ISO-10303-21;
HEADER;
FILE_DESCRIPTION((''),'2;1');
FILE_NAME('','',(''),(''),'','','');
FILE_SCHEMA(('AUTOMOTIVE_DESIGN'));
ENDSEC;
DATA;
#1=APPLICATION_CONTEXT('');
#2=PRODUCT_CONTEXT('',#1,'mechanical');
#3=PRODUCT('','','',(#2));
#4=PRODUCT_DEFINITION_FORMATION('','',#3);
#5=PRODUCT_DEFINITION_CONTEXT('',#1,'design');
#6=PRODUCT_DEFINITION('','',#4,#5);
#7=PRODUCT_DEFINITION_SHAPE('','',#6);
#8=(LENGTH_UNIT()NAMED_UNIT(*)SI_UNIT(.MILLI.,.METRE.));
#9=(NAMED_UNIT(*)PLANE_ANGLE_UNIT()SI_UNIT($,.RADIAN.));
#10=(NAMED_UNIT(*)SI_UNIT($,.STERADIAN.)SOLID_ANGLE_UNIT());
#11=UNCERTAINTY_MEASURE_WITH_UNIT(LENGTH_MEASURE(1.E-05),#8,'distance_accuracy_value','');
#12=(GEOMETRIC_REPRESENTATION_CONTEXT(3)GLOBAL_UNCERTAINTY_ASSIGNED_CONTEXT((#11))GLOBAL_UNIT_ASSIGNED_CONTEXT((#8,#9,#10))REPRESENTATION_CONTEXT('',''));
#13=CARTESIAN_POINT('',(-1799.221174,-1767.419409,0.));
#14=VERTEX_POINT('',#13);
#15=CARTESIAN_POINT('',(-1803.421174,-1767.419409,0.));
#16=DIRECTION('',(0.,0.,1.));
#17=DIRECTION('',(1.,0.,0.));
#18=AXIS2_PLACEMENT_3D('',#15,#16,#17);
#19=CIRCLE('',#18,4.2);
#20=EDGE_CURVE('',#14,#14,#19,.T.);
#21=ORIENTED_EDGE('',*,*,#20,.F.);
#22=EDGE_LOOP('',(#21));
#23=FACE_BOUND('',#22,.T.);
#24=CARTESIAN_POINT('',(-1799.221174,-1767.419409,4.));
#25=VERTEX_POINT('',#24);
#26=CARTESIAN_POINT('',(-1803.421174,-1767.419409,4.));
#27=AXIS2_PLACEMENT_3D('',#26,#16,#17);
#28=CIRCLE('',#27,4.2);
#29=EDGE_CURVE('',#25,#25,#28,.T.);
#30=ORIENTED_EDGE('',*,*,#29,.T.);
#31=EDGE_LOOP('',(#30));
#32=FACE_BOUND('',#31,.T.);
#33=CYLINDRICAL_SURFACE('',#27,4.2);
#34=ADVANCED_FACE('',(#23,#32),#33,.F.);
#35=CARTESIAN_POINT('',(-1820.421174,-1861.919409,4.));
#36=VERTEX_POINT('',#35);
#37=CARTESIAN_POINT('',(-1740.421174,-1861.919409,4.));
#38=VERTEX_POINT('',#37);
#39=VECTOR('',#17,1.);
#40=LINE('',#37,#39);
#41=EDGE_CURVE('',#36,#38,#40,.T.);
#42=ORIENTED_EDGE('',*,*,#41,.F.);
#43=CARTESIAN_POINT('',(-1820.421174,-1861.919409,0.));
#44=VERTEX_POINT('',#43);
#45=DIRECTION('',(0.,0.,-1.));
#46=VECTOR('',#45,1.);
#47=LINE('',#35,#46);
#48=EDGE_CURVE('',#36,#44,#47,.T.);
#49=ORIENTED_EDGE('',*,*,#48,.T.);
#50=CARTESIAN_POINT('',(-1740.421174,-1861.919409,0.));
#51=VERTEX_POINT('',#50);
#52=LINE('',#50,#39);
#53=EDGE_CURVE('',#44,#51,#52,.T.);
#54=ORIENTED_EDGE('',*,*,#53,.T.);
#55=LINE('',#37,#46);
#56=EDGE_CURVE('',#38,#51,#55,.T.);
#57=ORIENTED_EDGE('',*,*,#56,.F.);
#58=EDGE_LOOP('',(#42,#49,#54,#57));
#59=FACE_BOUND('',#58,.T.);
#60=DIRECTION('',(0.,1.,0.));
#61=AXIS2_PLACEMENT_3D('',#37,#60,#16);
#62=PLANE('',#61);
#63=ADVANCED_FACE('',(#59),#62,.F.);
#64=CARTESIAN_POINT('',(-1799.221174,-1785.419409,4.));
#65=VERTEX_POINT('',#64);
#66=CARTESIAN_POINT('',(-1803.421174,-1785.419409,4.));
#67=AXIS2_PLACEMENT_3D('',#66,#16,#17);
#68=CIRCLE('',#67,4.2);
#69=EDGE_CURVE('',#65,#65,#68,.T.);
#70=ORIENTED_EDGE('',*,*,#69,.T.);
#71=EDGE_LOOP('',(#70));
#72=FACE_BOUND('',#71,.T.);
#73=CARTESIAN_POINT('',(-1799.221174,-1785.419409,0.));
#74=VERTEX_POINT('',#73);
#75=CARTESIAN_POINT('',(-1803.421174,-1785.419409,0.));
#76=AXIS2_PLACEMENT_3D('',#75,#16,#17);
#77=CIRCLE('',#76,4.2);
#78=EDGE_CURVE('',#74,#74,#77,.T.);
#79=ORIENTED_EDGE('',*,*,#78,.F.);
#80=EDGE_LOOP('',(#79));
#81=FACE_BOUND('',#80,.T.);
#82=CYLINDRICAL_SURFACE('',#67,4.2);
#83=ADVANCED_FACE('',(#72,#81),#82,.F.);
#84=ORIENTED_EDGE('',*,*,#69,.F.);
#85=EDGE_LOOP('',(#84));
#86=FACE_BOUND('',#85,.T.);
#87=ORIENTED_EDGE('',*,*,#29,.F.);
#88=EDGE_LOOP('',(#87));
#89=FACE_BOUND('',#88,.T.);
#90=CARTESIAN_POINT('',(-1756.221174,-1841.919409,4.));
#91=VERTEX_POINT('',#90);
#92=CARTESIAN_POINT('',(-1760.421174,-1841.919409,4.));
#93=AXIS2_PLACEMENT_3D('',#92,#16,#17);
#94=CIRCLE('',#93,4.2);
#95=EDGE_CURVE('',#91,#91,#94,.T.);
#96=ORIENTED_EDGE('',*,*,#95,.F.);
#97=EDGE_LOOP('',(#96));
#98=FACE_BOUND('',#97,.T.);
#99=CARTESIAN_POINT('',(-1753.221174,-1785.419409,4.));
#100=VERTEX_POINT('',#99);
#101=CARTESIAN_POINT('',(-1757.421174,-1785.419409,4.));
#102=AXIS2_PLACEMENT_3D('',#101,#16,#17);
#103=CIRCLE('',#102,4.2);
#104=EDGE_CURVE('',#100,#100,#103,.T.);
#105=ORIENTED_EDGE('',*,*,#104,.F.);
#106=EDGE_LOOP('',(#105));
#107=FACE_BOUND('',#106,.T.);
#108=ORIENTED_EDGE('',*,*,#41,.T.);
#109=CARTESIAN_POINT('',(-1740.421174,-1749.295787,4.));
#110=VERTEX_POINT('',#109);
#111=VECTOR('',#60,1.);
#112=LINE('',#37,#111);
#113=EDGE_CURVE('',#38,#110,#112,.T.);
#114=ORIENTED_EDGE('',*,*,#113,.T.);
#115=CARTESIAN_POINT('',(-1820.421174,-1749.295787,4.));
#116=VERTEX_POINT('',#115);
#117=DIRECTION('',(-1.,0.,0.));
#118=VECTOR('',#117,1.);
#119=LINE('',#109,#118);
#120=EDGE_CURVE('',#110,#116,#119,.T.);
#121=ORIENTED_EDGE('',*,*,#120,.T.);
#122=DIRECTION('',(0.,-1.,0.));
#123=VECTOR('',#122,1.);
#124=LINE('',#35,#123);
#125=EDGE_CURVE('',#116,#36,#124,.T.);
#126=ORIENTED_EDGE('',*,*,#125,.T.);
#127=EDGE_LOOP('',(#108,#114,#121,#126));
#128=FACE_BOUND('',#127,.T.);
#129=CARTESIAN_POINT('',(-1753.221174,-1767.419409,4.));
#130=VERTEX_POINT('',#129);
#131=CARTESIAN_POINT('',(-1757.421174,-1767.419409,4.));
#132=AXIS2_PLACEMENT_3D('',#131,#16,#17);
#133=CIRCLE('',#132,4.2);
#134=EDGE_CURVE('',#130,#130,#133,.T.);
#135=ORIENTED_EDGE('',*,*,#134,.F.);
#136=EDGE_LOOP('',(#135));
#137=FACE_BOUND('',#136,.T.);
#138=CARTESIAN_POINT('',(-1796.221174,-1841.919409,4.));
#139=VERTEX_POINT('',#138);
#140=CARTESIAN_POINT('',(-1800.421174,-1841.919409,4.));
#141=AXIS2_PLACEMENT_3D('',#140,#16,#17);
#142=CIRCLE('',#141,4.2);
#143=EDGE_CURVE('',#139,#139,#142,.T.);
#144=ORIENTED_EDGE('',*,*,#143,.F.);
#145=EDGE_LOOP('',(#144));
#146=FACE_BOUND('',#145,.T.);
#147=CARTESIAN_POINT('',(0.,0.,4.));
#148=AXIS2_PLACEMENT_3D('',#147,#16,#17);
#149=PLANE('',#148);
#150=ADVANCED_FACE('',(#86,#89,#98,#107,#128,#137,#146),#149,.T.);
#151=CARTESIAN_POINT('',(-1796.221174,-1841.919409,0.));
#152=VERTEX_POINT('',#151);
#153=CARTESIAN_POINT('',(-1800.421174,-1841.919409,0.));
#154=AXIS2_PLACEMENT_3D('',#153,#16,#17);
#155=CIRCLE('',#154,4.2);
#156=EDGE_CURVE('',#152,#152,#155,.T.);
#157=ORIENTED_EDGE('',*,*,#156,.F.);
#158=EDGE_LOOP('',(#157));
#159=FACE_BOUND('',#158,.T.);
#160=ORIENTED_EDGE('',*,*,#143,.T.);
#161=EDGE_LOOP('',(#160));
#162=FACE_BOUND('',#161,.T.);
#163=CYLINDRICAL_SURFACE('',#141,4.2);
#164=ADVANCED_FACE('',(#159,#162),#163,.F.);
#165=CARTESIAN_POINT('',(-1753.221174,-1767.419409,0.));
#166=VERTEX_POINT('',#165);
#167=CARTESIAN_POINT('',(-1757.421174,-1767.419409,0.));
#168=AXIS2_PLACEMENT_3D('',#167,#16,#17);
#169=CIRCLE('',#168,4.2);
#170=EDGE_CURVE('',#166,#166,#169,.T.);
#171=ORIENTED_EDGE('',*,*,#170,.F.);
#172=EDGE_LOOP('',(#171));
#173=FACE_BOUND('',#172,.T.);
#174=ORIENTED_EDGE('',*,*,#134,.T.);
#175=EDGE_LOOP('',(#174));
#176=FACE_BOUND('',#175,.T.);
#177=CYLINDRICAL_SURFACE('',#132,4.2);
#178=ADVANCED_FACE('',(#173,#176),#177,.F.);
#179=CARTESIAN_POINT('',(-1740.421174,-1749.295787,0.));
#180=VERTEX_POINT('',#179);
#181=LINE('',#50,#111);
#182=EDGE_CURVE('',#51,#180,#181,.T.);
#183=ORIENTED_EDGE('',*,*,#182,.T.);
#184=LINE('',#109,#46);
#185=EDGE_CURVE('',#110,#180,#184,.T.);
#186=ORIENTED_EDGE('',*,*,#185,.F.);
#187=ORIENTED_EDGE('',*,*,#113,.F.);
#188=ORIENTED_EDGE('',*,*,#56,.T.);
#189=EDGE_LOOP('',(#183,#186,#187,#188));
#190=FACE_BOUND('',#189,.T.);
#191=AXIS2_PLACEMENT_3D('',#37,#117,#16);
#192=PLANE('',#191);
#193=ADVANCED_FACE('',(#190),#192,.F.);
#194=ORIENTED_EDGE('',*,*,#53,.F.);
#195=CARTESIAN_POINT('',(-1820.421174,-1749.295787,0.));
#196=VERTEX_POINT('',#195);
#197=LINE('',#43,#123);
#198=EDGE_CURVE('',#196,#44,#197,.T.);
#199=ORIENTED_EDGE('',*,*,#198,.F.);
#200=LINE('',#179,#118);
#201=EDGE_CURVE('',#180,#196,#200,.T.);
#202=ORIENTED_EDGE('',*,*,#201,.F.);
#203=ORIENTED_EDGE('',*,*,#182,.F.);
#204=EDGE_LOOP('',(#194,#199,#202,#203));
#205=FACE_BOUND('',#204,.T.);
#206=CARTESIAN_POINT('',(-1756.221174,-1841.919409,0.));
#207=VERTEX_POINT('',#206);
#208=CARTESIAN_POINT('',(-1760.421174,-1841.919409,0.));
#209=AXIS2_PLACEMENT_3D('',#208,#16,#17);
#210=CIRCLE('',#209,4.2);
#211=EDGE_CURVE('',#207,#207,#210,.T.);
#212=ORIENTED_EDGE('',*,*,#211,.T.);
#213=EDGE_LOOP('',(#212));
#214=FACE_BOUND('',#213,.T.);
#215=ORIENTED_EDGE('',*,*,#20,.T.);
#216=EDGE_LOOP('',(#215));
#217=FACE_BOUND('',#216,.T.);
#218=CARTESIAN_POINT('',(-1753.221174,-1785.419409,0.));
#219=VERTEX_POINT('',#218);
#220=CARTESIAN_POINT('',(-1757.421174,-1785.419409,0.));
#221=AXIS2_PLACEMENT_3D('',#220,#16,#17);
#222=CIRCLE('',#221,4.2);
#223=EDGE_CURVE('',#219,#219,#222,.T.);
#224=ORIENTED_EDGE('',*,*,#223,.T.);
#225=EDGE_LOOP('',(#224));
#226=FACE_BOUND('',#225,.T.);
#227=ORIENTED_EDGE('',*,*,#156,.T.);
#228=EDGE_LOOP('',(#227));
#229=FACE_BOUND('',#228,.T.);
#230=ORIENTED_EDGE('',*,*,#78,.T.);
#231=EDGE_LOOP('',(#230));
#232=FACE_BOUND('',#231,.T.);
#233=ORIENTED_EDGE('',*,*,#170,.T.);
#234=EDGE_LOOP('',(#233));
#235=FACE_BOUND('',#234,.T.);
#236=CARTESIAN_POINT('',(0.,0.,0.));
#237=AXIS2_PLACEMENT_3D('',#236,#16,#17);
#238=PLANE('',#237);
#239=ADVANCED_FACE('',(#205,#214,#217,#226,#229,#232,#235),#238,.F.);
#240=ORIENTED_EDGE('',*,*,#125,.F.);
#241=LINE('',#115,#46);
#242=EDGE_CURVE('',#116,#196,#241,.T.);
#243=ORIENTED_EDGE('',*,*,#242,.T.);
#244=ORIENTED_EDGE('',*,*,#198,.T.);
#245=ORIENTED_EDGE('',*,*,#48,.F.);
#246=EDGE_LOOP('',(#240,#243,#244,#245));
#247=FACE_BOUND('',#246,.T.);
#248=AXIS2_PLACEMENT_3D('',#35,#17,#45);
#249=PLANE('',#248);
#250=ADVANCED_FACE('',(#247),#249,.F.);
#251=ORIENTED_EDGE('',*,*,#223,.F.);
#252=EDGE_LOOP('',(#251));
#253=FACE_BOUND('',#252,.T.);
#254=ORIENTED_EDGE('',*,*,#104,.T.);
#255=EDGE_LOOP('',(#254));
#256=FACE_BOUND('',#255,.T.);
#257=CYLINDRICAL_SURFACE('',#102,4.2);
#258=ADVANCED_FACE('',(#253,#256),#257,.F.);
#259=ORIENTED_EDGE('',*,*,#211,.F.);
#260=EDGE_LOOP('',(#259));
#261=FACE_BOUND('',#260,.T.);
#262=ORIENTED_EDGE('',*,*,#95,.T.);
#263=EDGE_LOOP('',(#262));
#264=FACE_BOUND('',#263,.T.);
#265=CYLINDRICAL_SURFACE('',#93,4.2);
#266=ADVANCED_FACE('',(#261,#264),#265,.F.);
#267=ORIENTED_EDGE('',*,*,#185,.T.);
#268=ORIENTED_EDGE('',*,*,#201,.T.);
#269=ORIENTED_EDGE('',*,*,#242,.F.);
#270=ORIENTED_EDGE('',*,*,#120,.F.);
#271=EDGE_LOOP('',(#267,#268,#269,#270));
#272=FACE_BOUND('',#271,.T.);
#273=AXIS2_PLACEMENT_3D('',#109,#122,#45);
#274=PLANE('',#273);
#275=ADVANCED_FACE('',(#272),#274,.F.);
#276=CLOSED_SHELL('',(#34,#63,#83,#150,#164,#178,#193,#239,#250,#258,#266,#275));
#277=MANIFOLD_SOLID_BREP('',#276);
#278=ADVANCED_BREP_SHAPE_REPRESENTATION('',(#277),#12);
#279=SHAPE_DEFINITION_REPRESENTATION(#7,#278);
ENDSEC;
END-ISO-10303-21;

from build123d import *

# Parameters (mm, degrees)
SKETCH1_W            = 80
SKETCH1_H            = 112.623622543
BOSS_EXTRUDE1_DEPTH  = 4
M8_CLEARANCE_HOLE1_D = 8.4


with BuildPart() as part:
    # Sketch1 → Boss-Extrude1 (new body)
    with BuildSketch(Plane.XY):
        with Locations((-1780.42117355, -1805.607597845)):
            Rectangle(SKETCH1_W, SKETCH1_H)
    extrude(amount=BOSS_EXTRUDE1_DEPTH)

    # M8 Clearance Hole1 (through all)
    with Locations(Plane.XY.offset(4)):
        with Locations((-1760.42117355, -1841.919409116), (-1803.421173548, -1767.419409116), (-1800.42117355, -1841.919409116), (-1757.421173548, -1785.419409116), (-1757.421173548, -1767.419409116), (-1803.421173548, -1785.419409116)):
            Hole(M8_CLEARANCE_HOLE1_D / 2)


solid = part.part
